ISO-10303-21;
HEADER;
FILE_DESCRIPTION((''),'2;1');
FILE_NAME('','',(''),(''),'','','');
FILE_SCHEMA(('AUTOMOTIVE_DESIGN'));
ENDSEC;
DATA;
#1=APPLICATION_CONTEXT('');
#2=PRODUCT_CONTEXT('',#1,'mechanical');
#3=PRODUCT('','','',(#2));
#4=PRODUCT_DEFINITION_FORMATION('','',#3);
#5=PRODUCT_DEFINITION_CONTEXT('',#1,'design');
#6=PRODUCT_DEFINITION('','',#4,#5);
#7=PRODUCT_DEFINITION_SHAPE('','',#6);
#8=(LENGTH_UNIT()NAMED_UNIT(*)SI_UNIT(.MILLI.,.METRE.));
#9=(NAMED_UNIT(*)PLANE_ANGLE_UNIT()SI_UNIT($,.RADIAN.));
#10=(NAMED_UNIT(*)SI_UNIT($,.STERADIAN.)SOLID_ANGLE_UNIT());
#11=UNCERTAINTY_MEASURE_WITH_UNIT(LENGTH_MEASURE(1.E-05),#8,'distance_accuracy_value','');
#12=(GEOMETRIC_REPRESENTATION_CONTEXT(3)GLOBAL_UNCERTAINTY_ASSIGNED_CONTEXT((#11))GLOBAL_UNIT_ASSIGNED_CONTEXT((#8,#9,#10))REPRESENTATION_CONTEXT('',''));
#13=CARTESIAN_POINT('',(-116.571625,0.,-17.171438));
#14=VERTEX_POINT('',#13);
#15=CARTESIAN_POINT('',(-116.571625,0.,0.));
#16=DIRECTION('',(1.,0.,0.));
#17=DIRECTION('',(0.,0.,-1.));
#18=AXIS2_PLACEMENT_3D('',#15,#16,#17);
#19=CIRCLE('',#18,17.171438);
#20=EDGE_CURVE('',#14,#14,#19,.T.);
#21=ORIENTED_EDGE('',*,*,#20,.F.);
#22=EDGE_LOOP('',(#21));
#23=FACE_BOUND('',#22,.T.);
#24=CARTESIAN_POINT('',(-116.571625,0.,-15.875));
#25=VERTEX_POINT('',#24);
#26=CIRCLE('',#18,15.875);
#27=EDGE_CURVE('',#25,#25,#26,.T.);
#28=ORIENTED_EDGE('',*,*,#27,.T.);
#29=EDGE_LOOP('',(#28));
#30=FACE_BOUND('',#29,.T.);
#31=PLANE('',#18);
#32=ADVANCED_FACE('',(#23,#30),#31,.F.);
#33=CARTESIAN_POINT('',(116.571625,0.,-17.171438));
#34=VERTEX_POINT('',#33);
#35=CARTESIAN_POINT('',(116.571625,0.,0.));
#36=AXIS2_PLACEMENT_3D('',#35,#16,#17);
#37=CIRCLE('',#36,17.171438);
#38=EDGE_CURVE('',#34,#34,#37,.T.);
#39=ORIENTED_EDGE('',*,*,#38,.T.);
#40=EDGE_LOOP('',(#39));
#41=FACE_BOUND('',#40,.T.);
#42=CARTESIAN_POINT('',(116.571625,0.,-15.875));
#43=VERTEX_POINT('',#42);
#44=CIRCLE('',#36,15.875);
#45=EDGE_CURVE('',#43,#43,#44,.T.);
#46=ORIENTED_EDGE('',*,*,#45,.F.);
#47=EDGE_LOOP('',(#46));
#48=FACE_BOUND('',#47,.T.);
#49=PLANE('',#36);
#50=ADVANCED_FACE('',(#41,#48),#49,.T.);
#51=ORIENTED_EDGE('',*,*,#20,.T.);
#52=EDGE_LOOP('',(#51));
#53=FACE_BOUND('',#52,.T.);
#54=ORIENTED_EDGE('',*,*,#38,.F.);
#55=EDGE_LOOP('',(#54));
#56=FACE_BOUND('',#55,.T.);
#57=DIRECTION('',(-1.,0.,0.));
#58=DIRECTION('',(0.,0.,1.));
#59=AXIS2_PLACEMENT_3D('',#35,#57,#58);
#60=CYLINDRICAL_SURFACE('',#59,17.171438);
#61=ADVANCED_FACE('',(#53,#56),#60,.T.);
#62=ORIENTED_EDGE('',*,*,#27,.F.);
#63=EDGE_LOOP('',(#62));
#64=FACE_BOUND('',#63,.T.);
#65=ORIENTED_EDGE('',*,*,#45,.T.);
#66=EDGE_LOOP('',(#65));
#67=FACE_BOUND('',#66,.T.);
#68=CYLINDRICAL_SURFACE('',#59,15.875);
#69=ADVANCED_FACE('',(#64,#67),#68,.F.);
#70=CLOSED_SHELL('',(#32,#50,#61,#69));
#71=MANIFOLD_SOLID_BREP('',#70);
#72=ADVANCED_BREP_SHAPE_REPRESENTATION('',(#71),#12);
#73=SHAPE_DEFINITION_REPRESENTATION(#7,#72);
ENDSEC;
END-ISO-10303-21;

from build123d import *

# Parameters (mm, degrees)
SKETCH1_R           = 17.171437949
SKETCH1_R_2         = 15.875
BOSS_EXTRUDE1_DEPTH = 116.571624997


with BuildPart() as part:
    # Sketch1 → Boss-Extrude1 (new, symmetric)
    with BuildSketch(Plane(origin=(0, 0, 0), x_dir=(0, 0, -1), z_dir=(1, 0, 0))):
        Circle(SKETCH1_R)
        Circle(SKETCH1_R_2, mode=Mode.SUBTRACT)
    extrude(amount=BOSS_EXTRUDE1_DEPTH, both=True)


solid = part.part
